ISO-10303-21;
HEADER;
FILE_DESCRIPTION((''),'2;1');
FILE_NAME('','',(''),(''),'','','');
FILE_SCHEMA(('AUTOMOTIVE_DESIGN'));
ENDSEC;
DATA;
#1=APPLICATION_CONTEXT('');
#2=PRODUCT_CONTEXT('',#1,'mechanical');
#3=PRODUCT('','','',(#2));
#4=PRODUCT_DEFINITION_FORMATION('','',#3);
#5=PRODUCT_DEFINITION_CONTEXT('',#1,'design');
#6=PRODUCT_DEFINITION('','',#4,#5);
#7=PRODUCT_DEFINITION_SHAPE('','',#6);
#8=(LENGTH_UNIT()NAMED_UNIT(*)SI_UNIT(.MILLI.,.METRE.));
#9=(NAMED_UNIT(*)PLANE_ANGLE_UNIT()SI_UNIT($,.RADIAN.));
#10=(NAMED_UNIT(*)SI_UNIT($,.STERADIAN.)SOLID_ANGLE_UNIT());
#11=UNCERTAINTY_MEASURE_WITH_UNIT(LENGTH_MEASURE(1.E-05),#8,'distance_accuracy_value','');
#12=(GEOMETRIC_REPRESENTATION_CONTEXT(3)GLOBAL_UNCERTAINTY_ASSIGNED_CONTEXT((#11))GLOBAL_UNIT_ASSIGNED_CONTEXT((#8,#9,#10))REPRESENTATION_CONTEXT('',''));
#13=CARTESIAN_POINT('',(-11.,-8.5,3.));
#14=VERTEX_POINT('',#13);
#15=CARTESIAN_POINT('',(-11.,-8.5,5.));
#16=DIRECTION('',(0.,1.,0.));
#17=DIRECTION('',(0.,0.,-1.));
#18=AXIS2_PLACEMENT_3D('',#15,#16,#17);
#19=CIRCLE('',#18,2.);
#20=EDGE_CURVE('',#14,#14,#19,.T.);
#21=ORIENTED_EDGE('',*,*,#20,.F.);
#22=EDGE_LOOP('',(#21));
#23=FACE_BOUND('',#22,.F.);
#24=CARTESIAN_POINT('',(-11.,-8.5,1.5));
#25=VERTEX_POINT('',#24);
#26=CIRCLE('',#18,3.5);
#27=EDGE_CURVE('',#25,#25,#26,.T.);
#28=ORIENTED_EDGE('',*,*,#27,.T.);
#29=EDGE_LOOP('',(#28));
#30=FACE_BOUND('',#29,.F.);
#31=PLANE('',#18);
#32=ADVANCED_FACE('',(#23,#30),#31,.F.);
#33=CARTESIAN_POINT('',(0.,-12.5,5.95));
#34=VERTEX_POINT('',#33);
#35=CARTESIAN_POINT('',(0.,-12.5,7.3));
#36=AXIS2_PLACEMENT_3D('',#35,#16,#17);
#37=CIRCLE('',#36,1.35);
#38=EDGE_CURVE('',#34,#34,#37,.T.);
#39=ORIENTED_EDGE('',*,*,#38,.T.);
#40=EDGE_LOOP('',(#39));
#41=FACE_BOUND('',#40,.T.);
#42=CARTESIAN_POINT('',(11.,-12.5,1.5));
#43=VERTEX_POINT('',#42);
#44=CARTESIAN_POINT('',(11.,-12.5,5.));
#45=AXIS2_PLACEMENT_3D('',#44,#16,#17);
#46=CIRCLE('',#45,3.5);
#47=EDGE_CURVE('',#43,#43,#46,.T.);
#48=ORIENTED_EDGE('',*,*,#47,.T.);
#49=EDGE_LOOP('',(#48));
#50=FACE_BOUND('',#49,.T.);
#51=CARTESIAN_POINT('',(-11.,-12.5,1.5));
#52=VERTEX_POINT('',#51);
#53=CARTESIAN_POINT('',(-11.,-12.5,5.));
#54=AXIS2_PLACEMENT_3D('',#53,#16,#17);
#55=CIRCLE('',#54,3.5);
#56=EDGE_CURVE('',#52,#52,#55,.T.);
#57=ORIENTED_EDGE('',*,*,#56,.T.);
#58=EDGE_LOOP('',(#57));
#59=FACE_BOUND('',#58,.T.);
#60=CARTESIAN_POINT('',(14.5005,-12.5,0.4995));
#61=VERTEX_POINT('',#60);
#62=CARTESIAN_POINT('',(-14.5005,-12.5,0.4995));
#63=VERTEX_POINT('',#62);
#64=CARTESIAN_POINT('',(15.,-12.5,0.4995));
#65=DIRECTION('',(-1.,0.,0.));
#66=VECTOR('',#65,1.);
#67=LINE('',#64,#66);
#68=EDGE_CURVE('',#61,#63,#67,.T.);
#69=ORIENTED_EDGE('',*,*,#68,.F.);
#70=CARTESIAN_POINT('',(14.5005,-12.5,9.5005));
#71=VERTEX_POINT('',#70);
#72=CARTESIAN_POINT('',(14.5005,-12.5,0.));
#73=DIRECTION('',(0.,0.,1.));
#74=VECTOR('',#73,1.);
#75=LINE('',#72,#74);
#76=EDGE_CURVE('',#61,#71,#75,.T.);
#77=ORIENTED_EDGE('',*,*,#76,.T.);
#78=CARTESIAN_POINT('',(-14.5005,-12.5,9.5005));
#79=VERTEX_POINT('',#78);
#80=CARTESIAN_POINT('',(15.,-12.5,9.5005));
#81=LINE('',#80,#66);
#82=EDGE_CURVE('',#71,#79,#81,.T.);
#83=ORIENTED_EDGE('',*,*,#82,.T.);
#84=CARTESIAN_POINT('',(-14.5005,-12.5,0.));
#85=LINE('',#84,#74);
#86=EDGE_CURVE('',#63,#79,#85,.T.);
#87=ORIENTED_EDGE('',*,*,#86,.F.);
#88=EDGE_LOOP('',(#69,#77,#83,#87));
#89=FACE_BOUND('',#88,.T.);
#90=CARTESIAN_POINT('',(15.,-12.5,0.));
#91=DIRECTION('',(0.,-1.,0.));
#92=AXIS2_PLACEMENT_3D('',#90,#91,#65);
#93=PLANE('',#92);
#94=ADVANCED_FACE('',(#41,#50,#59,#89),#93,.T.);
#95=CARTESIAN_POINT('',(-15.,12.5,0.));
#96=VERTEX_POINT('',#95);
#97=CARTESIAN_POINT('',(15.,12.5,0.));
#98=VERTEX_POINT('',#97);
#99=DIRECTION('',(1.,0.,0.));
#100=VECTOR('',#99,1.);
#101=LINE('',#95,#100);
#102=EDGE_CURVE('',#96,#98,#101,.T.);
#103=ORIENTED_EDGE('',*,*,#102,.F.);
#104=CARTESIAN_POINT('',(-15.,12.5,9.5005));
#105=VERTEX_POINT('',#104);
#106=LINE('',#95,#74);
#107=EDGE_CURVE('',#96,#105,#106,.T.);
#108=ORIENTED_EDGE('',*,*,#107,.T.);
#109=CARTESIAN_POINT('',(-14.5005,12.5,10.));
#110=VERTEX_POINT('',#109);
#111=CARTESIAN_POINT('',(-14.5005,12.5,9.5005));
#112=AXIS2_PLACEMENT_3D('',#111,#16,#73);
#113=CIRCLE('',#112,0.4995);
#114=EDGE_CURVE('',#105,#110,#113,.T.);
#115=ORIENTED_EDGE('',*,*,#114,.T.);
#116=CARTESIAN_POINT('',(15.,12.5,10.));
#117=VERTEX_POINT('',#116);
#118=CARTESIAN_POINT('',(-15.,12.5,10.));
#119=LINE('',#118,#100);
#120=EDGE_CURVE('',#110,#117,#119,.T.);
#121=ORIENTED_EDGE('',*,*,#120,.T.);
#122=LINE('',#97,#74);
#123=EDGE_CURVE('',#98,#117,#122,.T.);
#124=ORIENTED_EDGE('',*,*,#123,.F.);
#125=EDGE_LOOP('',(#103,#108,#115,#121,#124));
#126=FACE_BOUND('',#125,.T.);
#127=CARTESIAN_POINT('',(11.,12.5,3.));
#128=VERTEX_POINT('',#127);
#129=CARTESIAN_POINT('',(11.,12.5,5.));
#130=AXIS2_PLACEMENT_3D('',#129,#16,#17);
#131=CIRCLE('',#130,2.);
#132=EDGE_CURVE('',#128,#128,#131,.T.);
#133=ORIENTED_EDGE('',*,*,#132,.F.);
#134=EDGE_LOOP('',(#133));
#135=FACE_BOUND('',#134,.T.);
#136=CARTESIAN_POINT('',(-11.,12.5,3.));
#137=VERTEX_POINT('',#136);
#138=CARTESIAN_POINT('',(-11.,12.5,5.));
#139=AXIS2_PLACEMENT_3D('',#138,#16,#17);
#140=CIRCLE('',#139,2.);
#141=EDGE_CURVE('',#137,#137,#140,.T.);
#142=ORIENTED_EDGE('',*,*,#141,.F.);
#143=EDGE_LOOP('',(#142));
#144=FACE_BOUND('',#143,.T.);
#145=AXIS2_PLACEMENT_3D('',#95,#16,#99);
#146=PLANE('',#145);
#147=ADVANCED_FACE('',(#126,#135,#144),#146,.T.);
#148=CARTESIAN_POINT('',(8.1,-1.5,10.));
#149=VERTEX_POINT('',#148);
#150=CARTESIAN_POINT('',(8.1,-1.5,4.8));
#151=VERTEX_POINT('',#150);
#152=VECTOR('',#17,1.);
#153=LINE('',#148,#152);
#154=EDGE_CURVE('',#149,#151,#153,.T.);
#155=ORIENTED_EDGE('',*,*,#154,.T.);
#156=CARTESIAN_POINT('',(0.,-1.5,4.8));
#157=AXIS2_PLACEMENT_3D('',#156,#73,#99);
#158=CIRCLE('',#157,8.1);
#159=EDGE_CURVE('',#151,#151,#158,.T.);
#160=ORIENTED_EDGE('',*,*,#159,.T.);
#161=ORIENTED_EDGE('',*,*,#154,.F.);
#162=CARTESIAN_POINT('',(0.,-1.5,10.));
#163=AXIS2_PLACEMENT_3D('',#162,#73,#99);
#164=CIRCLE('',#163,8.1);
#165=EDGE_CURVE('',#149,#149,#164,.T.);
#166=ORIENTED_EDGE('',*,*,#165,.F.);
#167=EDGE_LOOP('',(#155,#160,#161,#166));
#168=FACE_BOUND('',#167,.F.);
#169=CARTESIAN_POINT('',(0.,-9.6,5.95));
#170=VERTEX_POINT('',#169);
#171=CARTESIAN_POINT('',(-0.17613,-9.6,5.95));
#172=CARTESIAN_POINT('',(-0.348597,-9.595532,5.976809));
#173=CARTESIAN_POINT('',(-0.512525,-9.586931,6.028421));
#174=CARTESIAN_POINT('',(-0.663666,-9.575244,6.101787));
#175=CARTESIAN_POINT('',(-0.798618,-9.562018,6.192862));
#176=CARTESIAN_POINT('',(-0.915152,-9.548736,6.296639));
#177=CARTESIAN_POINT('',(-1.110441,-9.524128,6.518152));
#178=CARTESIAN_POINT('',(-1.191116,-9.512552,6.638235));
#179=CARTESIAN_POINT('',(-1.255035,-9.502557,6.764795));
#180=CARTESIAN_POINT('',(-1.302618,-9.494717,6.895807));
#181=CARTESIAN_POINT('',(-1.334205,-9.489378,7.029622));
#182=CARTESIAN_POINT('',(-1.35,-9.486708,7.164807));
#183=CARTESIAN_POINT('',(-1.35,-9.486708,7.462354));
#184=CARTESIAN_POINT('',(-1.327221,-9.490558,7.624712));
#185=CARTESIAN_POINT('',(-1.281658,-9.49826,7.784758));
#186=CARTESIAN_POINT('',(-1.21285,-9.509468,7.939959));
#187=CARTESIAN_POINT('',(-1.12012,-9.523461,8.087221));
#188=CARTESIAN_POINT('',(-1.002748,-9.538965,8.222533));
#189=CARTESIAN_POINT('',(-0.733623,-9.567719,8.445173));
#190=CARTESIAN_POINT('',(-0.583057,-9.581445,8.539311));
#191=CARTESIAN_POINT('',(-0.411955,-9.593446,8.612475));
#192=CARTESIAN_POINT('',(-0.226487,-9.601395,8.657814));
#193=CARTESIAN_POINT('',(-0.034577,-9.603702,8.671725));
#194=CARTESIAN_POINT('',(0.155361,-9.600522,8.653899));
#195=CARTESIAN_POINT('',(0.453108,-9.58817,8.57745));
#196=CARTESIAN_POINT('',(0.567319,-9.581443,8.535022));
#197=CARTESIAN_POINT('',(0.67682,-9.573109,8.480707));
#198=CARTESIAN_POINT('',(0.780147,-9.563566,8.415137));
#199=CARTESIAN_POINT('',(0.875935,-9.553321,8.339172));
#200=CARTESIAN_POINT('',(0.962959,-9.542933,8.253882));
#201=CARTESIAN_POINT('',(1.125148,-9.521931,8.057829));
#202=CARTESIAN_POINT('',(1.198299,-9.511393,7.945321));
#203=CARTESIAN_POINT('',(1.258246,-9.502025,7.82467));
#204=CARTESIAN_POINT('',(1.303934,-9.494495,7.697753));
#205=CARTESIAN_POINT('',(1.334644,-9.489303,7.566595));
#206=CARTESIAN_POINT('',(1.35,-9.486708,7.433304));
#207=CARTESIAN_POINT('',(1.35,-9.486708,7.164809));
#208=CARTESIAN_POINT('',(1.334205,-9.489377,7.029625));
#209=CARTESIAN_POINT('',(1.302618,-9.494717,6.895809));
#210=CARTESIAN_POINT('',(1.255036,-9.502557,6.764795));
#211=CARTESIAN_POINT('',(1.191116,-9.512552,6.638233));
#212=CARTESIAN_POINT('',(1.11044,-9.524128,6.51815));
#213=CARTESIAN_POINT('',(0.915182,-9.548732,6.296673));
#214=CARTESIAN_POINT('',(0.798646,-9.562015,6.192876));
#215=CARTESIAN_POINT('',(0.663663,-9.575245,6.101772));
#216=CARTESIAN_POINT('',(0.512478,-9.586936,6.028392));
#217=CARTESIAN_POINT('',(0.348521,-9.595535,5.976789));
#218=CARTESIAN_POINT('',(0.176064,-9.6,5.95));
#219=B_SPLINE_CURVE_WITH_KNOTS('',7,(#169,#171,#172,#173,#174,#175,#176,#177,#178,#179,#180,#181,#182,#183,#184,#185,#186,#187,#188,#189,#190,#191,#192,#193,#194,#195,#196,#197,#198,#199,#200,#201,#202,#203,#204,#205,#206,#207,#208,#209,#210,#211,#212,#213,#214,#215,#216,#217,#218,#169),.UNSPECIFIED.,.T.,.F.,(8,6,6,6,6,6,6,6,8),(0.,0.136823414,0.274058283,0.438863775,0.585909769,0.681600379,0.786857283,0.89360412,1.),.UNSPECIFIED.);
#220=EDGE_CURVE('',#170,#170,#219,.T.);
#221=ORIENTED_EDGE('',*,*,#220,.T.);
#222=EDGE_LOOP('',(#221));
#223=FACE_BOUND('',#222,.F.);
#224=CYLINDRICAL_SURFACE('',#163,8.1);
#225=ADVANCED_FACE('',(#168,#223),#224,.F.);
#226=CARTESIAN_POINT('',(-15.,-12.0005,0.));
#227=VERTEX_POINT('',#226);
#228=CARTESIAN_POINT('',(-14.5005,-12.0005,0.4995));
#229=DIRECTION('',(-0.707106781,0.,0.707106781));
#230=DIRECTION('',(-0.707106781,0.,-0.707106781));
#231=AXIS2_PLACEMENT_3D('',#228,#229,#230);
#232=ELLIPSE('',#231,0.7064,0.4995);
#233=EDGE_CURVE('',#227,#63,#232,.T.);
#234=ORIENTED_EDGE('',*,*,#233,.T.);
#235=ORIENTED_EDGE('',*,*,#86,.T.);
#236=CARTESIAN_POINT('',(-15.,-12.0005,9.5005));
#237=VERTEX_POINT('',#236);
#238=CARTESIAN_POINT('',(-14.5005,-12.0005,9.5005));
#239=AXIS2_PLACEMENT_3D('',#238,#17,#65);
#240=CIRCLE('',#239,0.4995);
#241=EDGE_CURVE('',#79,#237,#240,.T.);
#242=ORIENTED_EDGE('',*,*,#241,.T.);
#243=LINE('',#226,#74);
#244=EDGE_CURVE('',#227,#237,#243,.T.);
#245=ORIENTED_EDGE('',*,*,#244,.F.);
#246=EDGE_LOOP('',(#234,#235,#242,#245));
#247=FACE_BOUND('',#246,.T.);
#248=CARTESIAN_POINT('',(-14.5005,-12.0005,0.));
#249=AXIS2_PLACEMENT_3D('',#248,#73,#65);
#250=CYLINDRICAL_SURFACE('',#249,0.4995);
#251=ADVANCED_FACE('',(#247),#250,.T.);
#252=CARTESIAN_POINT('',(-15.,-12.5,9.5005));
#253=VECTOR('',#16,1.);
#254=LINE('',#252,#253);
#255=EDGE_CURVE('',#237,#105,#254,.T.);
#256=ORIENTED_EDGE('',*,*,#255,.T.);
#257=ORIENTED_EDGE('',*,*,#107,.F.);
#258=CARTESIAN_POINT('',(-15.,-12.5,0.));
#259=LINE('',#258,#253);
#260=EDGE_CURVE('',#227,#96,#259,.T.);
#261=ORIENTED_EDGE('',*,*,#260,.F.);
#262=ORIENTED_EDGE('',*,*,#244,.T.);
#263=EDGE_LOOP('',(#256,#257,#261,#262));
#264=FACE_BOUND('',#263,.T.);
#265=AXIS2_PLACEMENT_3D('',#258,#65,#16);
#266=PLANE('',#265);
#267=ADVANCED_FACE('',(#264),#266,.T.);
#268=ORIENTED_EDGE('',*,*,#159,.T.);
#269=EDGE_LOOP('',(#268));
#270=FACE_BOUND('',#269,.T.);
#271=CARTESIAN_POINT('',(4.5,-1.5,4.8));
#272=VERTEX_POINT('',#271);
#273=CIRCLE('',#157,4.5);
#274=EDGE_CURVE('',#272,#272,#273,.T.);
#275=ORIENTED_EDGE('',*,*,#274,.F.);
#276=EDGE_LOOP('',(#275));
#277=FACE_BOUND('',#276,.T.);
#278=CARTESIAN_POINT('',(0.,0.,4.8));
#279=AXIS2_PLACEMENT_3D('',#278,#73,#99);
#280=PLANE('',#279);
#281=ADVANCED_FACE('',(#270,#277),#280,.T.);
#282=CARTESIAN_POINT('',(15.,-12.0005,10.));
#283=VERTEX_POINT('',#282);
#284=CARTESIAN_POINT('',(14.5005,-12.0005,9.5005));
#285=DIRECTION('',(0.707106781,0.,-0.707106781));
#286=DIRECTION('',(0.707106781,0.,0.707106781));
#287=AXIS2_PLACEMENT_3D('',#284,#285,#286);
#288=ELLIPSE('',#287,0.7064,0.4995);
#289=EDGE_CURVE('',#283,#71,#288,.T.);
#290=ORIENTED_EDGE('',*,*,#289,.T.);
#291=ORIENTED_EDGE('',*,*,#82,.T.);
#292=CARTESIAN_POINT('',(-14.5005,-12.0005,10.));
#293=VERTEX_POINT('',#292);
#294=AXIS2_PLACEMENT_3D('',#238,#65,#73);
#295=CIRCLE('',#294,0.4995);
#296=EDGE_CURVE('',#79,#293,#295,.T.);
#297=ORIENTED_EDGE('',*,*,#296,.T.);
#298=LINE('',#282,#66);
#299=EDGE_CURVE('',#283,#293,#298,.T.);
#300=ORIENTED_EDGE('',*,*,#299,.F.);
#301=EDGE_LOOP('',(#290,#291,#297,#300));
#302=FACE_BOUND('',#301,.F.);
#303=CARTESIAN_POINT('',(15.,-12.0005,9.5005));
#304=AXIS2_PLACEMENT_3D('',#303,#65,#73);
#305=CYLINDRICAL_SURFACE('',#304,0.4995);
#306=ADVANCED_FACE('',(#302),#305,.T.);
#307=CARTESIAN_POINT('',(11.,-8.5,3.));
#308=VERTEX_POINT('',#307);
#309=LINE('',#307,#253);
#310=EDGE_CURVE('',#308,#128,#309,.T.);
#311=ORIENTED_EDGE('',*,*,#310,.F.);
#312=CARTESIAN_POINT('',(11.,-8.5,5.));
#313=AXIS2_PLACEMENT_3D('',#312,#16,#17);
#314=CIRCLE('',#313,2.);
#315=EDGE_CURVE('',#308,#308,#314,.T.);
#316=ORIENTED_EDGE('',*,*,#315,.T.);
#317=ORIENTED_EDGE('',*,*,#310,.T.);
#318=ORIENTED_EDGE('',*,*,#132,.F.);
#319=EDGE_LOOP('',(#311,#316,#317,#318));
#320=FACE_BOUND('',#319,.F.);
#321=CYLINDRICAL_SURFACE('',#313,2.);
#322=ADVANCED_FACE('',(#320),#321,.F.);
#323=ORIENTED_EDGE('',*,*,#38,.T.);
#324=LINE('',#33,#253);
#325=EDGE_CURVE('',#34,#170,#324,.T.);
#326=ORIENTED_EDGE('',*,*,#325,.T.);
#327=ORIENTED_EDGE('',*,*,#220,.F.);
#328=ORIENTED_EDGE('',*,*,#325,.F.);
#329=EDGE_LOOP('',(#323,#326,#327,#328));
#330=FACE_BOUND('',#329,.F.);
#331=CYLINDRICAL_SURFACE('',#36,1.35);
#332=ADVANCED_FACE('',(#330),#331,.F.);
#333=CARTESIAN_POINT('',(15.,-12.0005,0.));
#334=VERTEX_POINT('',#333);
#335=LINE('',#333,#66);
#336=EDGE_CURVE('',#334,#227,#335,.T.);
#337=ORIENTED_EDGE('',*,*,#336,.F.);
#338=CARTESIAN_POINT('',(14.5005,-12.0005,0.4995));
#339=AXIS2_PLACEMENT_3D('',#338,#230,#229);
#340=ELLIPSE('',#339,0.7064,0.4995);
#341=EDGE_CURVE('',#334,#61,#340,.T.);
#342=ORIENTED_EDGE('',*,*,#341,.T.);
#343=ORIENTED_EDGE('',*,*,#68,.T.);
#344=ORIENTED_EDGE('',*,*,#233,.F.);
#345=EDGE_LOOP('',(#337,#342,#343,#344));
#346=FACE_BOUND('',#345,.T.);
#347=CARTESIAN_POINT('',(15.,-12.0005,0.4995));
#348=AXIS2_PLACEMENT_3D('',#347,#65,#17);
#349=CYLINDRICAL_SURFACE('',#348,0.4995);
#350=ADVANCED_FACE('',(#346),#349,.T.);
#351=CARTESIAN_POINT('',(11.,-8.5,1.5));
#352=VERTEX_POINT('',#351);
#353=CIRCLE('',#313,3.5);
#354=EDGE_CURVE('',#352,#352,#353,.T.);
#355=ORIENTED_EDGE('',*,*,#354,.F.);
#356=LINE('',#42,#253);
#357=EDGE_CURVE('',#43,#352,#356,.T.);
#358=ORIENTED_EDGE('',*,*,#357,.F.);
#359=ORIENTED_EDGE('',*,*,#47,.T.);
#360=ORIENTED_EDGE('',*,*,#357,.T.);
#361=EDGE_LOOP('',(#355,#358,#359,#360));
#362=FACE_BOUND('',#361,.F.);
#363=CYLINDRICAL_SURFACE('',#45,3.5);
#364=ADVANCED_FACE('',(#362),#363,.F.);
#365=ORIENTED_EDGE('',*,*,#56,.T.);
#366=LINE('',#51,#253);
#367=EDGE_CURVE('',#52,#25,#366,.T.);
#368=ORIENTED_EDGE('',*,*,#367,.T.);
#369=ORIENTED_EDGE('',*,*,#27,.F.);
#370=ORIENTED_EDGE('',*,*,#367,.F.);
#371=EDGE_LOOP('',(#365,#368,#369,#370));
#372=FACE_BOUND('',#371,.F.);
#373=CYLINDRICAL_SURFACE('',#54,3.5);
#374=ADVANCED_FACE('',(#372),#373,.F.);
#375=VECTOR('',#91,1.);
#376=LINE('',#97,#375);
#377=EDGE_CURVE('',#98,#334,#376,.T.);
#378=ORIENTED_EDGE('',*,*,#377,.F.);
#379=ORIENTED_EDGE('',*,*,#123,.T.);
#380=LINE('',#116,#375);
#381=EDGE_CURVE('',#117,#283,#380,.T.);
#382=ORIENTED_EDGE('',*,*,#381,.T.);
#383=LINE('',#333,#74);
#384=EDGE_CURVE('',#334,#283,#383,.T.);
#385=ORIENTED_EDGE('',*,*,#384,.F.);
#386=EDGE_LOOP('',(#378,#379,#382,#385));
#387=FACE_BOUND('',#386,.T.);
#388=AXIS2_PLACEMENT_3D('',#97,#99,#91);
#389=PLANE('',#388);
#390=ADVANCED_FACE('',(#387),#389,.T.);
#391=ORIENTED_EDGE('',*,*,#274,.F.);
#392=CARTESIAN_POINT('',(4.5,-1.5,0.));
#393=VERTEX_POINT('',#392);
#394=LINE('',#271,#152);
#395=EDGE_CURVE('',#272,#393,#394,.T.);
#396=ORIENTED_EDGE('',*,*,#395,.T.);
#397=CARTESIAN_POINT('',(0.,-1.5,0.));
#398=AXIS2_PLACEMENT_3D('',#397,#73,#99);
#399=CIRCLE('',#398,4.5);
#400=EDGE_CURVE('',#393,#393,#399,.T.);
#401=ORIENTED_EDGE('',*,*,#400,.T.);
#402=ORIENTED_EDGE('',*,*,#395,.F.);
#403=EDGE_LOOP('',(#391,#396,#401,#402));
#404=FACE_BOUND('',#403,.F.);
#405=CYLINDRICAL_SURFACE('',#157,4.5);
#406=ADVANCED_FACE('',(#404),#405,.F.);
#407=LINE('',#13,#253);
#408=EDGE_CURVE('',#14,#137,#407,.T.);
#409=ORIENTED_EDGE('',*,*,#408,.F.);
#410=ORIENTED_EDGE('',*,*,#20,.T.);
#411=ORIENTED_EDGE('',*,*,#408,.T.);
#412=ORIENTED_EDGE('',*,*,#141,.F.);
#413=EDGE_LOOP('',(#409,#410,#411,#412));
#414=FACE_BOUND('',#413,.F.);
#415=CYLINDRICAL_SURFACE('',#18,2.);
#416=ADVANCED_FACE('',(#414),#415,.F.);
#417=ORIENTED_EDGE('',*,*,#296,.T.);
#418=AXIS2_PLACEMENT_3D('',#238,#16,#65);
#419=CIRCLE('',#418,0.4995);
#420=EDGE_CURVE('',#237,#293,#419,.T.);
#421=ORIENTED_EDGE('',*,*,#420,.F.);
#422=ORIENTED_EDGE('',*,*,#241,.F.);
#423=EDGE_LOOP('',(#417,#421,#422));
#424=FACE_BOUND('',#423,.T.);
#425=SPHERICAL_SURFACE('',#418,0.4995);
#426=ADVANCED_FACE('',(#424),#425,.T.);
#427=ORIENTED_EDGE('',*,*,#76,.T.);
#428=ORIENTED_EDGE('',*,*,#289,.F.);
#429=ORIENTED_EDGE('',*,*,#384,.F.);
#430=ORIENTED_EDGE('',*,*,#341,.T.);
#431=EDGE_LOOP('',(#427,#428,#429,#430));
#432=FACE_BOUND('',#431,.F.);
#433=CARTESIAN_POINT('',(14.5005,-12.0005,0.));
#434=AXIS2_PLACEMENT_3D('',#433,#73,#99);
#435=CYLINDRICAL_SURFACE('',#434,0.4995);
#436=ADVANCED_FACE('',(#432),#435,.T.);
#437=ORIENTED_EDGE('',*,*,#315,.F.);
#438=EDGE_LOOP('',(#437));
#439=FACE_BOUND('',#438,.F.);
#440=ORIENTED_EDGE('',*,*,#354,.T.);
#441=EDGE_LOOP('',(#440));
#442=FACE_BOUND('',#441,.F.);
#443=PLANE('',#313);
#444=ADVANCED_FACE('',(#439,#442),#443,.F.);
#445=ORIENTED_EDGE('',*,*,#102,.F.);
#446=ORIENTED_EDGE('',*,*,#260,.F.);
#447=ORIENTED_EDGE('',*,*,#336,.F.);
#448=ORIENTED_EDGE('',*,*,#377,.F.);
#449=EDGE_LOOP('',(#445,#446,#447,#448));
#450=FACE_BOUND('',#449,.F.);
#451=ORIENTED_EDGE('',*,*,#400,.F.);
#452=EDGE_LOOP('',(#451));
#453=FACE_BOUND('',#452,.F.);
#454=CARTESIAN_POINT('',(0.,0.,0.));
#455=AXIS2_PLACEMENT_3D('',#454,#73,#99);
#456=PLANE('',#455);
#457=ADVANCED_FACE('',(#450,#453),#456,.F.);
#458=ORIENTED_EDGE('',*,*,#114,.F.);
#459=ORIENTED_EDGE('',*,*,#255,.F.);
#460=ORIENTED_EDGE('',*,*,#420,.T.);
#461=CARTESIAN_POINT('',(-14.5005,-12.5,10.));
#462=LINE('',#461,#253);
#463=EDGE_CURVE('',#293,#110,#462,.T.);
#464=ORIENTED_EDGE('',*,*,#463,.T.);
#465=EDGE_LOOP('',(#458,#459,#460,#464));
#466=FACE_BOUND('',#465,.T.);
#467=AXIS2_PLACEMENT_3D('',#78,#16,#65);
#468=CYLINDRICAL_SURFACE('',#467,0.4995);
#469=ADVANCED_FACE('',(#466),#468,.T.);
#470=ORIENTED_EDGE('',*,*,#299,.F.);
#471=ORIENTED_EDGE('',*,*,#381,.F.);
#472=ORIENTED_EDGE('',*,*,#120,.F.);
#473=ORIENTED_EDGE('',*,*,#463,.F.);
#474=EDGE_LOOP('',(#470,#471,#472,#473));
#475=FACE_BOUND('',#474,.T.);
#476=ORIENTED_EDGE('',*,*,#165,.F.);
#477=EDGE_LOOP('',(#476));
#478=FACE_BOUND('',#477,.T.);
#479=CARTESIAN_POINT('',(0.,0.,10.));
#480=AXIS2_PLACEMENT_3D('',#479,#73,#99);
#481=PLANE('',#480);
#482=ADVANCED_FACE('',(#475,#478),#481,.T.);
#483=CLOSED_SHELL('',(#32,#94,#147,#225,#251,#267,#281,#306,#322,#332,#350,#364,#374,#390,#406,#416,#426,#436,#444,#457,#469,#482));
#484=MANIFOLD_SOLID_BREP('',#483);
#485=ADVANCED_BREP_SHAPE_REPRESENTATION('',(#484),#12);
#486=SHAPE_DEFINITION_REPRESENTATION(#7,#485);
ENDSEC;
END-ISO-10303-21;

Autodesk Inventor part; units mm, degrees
ref_plane "YZ Plane" through (0, 0, 0) normal (1, 0, 0) x (0, 1, 0)
ref_plane "XZ Plane" through (0, 0, 0) normal (0, 1, 0) x (-1, 0, 0)
ref_plane "XY Plane" through (0, 0, 0) normal (0, 0, 1) x (1, 0, 0)
sketch "Sketch1" plane through (0, 0, 0) normal (0, 0, 1) x (1, 0, 0)
  line L0 (-15, 12.5) -> (15, 12.5)
  line L1 (15, 12.5) -> (15, -12.5)
  line L2 (15, -12.5) -> (-15, -12.5)
  line L3 (-15, -12.5) -> (-15, 12.5)
  line L4 (-15, 12.5) -> (15, -12.5) construction
  line L5 (15, 12.5) -> (-15, -12.5) construction
  point P0 (0, 0)
  dimension "d14" = 6
  dimension "d0" = 30
  dimension "d10" = 25
extrude "Extrusion1" add sketch "Sketch1" along normal blind 10
sketch "Sketch2" plane through (0, 0, 10) normal (0, 0, 1) x (1, 0, 0)
  circle A0 centre (0, -1.5) radius 8.1
  line L0 (15, 12.5) -> (-15, 12.5) projected
  point P0 (0, 12.5)
  dimension "d4" = 16.2
  dimension "d38" = 14
extrude "Extrusion2" cut sketch "Sketch2" against normal blind 5.2
sketch "Sketch3" plane through (0, -1.5, 4.8) normal (0, 0, 1) x (1, 0, 0)
  circle A0 centre (0, 0) radius 4.5
  circle A1 centre (0, 0) radius 8.1 projected
  dimension "d7" = 9
extrude "Extrusion3" cut sketch "Sketch3" against normal blind 5.2 contours A0
sketch "Sketch4" plane through (-15, -12.5, 0) normal (0, -1, 0) x (1, 0, 0)
  line L0 (0, 0) -> (0, 10) projected
  line L1 (0, 10) -> (30, 10) projected
  point P0 (15, 0)
  point P1 (4, 5)
  dimension "d11" = 4
  dimension "d12" = 5
hole "Hole1" at (-11, -12.5, 5) direction (0, 1, 0) diameter 4 end through all counterbore diameter 7 counterbore depth 4
sketch "Sketch5" plane through (-15, -12.5, 0) normal (0, -1, 0) x (1, 0, 0)
  line L0 (30, 0) -> (30, 10) projected
  line L1 (0, 10) -> (30, 10) projected
  point P0 (15, 0)
  point P1 (26, 5)
  dimension "d20" = 4
  dimension "d21" = 5
hole "Hole2" at (11, -12.5, 5) direction (0, 1, 0) diameter 4 end through all counterbore diameter 7 counterbore depth 4
sketch "Sketch6" plane through (-15, -12.5, 0) normal (0, -1, 0) x (1, 0, 0)
  line L0 (0, 10) -> (30, 10) projected
  line L1 (30, 0) -> (30, 10) projected
  point P0 (15, 0)
  point P1 (15, 7.3)
  dimension "d29" = 2.7
  dimension "d30" = 15
hole "Hole3" at (0, -12.5, 7.3) direction (0, 1, 0) diameter 2.7 depth 8 tip angle 118
fillet "Fillet2" radius 0.5 5 edges at (-15, 0, 10) (0, -12.5, 0) (15, -12.5, 5) (-15, -12.5, 5) (0, -12.5, 10)
properties part number "wheel_holder"
